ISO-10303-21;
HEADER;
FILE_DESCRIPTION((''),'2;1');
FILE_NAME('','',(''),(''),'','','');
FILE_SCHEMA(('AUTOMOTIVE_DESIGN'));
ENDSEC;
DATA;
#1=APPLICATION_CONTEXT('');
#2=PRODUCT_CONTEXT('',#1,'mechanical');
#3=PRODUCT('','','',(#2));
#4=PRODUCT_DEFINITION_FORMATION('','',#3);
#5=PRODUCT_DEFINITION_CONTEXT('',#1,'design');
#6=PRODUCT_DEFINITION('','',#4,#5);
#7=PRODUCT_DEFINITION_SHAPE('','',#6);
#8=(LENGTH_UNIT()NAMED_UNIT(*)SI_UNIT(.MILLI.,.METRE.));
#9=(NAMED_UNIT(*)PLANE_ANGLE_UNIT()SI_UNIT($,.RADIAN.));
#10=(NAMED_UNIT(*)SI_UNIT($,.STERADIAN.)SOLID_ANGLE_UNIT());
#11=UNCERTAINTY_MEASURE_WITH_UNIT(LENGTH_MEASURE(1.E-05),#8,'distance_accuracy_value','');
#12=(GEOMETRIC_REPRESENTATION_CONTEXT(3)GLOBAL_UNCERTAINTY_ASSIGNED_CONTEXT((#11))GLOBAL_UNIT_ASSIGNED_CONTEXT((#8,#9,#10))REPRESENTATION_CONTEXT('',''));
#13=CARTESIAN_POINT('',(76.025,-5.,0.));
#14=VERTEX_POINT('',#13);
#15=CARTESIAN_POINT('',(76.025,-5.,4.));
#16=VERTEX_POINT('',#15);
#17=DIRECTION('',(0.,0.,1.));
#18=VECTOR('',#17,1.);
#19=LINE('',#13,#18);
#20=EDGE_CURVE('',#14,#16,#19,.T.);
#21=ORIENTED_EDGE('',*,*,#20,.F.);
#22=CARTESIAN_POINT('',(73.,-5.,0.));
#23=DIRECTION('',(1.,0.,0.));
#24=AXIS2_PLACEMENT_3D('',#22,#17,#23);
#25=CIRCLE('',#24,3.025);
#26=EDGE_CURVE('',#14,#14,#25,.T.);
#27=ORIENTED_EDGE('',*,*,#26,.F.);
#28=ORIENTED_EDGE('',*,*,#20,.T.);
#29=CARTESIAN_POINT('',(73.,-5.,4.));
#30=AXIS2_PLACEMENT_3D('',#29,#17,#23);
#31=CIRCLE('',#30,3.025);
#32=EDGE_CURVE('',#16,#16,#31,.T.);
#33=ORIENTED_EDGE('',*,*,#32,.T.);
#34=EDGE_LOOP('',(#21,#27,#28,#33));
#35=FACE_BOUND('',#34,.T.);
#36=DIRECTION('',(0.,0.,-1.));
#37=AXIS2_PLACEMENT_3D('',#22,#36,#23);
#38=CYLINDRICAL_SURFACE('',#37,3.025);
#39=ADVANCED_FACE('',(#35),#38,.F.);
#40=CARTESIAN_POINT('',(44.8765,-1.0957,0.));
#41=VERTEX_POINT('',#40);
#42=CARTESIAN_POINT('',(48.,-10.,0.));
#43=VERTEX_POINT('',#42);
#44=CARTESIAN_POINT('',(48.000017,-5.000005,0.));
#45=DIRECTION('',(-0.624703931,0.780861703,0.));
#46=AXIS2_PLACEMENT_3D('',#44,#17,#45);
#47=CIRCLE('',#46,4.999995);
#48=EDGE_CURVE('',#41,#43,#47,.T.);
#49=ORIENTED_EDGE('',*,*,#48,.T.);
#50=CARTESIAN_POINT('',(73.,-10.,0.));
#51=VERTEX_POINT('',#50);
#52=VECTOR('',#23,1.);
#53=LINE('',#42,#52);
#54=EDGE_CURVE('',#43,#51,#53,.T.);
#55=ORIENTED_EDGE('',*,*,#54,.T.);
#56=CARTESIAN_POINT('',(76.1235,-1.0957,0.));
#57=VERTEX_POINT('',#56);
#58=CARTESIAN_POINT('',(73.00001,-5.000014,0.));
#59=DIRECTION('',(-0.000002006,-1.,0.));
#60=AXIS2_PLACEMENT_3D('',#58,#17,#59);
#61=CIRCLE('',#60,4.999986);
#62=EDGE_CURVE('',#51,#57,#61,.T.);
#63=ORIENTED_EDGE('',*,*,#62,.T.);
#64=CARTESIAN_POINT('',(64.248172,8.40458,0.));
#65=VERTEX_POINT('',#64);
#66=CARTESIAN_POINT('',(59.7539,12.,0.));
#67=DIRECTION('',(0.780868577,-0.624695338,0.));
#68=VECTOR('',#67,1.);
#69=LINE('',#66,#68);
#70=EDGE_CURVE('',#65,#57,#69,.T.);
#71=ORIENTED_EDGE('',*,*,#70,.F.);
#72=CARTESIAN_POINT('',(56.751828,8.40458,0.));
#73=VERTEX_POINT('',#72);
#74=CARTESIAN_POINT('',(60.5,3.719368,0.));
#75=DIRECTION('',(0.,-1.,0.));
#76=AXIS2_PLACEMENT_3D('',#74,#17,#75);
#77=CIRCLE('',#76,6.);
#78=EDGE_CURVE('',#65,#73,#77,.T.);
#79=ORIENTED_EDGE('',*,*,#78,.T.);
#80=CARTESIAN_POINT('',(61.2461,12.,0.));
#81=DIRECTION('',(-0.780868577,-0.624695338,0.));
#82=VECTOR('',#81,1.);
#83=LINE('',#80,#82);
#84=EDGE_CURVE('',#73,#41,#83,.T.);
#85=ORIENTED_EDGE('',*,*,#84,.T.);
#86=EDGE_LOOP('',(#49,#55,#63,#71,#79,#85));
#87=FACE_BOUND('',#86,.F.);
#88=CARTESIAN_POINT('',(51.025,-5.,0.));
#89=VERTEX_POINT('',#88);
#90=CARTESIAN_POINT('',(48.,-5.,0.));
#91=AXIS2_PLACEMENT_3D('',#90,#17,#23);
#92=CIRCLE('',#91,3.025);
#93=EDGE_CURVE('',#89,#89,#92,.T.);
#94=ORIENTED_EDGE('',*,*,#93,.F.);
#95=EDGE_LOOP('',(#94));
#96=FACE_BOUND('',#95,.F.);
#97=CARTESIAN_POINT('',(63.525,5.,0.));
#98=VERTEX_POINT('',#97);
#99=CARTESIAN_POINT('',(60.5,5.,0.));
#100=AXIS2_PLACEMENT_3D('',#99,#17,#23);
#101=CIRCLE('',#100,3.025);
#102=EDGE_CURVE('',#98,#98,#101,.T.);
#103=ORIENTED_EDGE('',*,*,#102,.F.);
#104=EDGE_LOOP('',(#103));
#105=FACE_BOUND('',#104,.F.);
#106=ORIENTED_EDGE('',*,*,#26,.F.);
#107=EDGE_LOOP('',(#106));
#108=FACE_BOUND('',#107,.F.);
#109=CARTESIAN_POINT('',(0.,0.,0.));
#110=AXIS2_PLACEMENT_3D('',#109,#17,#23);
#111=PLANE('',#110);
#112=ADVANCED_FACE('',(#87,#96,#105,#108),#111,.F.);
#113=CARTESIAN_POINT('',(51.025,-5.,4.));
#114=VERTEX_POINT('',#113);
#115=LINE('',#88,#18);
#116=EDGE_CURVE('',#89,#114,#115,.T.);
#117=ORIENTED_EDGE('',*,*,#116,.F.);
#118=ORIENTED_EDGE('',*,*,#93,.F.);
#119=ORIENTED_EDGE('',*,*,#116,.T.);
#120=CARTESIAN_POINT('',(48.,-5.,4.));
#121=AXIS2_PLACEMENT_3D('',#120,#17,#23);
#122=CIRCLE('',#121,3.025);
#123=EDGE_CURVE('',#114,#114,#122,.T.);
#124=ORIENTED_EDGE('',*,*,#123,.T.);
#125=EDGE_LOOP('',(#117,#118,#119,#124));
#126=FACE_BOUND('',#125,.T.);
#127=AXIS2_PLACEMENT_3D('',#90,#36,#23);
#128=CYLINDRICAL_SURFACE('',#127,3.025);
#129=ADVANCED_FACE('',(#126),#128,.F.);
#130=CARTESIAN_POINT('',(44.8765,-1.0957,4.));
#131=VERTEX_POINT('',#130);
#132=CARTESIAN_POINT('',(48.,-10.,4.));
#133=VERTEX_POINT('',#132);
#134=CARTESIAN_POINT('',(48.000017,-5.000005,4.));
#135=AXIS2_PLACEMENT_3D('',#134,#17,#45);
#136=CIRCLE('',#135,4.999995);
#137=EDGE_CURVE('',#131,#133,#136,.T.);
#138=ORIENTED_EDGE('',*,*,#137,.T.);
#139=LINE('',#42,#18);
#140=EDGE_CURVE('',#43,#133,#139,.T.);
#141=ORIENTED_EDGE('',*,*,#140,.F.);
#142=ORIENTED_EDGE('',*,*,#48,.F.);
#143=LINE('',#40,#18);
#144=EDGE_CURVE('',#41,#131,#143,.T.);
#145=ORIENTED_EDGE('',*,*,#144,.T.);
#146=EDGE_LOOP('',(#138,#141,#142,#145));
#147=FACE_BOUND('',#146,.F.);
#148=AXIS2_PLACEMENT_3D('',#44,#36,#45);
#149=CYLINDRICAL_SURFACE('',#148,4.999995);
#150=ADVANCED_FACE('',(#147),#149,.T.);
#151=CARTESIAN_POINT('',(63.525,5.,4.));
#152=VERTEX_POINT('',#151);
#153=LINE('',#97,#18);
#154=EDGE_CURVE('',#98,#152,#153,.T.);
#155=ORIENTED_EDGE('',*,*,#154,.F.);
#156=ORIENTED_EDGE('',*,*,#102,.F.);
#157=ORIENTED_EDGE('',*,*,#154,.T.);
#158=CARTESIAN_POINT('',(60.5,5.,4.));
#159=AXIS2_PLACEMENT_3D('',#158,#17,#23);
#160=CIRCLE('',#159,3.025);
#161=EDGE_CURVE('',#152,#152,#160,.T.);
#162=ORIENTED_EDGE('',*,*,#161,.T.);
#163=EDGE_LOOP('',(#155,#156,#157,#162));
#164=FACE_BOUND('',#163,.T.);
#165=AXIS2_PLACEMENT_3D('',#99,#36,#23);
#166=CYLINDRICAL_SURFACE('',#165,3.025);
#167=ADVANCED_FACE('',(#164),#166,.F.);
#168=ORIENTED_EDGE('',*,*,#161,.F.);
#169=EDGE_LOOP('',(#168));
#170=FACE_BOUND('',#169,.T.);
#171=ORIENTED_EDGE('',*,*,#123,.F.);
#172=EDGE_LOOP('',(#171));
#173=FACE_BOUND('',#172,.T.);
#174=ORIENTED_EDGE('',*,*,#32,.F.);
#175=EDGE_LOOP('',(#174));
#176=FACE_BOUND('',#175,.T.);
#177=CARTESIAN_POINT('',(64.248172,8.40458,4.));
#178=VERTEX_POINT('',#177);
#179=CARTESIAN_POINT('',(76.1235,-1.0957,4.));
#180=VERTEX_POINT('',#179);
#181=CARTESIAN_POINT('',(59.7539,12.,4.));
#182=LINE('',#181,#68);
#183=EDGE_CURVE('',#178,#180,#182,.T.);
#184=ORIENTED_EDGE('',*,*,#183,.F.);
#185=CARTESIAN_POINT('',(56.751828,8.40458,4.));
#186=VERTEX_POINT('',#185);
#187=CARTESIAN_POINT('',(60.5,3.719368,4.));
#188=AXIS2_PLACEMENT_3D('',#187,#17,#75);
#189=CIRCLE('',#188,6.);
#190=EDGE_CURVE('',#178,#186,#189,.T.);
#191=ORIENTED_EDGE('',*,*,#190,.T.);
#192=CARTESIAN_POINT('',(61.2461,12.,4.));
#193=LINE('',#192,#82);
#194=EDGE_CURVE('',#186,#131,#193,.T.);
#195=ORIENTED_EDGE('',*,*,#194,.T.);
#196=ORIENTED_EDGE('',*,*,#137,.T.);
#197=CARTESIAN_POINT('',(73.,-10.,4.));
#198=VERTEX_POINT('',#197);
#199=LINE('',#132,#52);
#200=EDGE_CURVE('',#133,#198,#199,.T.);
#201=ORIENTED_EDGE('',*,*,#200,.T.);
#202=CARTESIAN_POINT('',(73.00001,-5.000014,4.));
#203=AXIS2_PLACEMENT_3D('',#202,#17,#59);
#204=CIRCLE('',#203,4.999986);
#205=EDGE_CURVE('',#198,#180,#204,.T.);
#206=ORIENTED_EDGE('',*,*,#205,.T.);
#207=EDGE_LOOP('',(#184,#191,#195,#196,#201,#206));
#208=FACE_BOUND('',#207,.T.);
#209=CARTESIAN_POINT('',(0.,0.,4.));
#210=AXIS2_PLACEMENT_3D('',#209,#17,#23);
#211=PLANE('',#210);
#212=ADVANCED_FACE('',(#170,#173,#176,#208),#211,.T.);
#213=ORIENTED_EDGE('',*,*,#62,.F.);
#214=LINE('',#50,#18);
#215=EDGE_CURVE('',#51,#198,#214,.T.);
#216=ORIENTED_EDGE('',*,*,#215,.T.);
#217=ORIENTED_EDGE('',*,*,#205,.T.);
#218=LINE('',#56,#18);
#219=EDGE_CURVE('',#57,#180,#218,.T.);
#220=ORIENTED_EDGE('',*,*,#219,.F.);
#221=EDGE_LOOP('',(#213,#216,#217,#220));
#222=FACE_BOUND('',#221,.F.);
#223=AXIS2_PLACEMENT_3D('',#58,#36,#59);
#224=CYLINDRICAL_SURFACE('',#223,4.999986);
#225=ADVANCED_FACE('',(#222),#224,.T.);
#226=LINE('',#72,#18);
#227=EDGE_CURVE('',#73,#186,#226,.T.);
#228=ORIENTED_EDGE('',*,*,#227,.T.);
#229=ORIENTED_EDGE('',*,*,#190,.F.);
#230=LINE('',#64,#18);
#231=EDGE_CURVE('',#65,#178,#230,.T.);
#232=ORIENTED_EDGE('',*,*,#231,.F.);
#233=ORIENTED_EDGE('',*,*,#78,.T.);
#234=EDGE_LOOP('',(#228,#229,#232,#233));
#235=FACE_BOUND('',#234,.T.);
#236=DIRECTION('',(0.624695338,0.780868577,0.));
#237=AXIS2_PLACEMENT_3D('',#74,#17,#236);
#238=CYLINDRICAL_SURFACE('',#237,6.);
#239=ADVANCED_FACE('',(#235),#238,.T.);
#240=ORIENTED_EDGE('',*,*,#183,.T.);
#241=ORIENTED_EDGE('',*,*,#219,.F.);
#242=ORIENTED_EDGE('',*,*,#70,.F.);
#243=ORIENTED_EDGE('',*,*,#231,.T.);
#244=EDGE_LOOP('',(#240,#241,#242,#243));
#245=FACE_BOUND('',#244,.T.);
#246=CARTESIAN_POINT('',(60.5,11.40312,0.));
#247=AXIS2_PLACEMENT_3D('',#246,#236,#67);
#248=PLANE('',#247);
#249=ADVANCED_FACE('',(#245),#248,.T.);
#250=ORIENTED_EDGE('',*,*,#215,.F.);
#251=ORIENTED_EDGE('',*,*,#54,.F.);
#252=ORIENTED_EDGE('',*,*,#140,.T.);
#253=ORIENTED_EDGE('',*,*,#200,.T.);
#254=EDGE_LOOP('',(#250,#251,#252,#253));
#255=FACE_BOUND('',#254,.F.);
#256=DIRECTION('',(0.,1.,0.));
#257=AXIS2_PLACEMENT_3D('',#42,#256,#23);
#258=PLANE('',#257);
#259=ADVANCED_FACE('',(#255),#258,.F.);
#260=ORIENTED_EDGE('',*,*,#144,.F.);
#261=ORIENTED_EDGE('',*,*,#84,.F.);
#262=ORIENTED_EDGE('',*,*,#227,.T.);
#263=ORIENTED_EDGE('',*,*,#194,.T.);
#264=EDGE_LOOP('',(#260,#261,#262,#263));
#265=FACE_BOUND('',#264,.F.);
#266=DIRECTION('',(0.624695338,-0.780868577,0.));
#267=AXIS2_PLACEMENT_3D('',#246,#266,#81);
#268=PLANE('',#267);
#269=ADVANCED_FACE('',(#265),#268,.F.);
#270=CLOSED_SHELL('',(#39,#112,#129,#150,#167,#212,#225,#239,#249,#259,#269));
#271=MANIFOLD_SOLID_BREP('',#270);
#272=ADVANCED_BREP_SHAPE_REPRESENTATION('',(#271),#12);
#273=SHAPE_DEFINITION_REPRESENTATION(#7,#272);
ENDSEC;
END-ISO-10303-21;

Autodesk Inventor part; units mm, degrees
ref_plane "YZ Plane" through (0, 0, 0) normal (1, 0, 0) x (0, 1, 0)
ref_plane "XZ Plane" through (0, 0, 0) normal (0, 1, 0) x (-1, 0, 0)
ref_plane "XY Plane" through (0, 0, 0) normal (0, 0, 1) x (1, 0, 0)
sketch "スケッチ1" plane through (0, 0, 0) normal (0, 0, 1) x (1, 0, 0)
  line L0 (92.493, 12) -> (30.0122, 12)
  arc A0 (30.0122, 12) -> (23.3428, 9.9759) centre (30.0122, 0) ccw
  arc A1 (6.6694, 9.9759) -> (23.3428, 9.9759) centre (15.0061, 22.4459) ccw
  arc A2 (6.6694, 9.9759) -> (0, -12) centre (0, 0) ccw
  line L1 (0, -12) -> (30, -12)
  arc A3 (30, -12) -> (30, -12) centre (30, 0) ccw construction
  line L2 (30, -12) -> (92.493, -12)
  line L3 (92.493, -12) -> (92.493, 12)
  circle A4 centre (30, 0) radius 9.025 construction
  circle A5 centre (0, 0) radius 1.5
  circle A6 centre (16, 0) radius 1.25
  circle A7 centre (48, -5) radius 3.025
  circle A8 centre (73, -5) radius 3.025
  circle A9 centre (60.5, 5) radius 3.025
  line L4 (48, -5) -> (73, -5) construction
  line L5 (92.493, 12) -> (30.0122, 12)
  line L6 (59.7539, 12) -> (92.493, -14.1913)
  line L7 (92.493, -12) -> (92.493, 12)
  line L8 (60.5, 5) -> (73, -5) construction
  line L9 (60.5, 5) -> (60.5, -5) construction
  line L10 (61.2461, 12) -> (28.507, -14.1913)
  arc A10 (44.8765, -1.0957) -> (48, -10) centre (48, -5) ccw
  arc A11 (73, -10) -> (76.1235, -1.0957) centre (73, -5) ccw
  line L11 (48, -10) -> (73, -10)
  point P0 (60.5, 0)
  point P1 (61.3547, 12)
  point P2 (91.3547, -12)
  point P3 (59.6453, 12)
  point P4 (29.6453, -12)
  point P5 (89.7539, -12)
  point P6 (60.5, 11.4031)
  point P7 (31.2461, -12)
  dimension "d0" = 6.05
  dimension "d1" = 6.05
  dimension "d2" = 6.05
  dimension "d3" = 25
  dimension "d4" = 10
  dimension "d5" = 18
  dimension "d6" = 5
extrude "押し出し1" add sketch "スケッチ1" along normal blind 4 contours L6 A11 L11 A10 L10
fillet "フィレット3" radius 6 1 edges at (60.5, 11.4031, 2)
properties part number "アーム詰め物" material "ポリカーボネート、クリア"
